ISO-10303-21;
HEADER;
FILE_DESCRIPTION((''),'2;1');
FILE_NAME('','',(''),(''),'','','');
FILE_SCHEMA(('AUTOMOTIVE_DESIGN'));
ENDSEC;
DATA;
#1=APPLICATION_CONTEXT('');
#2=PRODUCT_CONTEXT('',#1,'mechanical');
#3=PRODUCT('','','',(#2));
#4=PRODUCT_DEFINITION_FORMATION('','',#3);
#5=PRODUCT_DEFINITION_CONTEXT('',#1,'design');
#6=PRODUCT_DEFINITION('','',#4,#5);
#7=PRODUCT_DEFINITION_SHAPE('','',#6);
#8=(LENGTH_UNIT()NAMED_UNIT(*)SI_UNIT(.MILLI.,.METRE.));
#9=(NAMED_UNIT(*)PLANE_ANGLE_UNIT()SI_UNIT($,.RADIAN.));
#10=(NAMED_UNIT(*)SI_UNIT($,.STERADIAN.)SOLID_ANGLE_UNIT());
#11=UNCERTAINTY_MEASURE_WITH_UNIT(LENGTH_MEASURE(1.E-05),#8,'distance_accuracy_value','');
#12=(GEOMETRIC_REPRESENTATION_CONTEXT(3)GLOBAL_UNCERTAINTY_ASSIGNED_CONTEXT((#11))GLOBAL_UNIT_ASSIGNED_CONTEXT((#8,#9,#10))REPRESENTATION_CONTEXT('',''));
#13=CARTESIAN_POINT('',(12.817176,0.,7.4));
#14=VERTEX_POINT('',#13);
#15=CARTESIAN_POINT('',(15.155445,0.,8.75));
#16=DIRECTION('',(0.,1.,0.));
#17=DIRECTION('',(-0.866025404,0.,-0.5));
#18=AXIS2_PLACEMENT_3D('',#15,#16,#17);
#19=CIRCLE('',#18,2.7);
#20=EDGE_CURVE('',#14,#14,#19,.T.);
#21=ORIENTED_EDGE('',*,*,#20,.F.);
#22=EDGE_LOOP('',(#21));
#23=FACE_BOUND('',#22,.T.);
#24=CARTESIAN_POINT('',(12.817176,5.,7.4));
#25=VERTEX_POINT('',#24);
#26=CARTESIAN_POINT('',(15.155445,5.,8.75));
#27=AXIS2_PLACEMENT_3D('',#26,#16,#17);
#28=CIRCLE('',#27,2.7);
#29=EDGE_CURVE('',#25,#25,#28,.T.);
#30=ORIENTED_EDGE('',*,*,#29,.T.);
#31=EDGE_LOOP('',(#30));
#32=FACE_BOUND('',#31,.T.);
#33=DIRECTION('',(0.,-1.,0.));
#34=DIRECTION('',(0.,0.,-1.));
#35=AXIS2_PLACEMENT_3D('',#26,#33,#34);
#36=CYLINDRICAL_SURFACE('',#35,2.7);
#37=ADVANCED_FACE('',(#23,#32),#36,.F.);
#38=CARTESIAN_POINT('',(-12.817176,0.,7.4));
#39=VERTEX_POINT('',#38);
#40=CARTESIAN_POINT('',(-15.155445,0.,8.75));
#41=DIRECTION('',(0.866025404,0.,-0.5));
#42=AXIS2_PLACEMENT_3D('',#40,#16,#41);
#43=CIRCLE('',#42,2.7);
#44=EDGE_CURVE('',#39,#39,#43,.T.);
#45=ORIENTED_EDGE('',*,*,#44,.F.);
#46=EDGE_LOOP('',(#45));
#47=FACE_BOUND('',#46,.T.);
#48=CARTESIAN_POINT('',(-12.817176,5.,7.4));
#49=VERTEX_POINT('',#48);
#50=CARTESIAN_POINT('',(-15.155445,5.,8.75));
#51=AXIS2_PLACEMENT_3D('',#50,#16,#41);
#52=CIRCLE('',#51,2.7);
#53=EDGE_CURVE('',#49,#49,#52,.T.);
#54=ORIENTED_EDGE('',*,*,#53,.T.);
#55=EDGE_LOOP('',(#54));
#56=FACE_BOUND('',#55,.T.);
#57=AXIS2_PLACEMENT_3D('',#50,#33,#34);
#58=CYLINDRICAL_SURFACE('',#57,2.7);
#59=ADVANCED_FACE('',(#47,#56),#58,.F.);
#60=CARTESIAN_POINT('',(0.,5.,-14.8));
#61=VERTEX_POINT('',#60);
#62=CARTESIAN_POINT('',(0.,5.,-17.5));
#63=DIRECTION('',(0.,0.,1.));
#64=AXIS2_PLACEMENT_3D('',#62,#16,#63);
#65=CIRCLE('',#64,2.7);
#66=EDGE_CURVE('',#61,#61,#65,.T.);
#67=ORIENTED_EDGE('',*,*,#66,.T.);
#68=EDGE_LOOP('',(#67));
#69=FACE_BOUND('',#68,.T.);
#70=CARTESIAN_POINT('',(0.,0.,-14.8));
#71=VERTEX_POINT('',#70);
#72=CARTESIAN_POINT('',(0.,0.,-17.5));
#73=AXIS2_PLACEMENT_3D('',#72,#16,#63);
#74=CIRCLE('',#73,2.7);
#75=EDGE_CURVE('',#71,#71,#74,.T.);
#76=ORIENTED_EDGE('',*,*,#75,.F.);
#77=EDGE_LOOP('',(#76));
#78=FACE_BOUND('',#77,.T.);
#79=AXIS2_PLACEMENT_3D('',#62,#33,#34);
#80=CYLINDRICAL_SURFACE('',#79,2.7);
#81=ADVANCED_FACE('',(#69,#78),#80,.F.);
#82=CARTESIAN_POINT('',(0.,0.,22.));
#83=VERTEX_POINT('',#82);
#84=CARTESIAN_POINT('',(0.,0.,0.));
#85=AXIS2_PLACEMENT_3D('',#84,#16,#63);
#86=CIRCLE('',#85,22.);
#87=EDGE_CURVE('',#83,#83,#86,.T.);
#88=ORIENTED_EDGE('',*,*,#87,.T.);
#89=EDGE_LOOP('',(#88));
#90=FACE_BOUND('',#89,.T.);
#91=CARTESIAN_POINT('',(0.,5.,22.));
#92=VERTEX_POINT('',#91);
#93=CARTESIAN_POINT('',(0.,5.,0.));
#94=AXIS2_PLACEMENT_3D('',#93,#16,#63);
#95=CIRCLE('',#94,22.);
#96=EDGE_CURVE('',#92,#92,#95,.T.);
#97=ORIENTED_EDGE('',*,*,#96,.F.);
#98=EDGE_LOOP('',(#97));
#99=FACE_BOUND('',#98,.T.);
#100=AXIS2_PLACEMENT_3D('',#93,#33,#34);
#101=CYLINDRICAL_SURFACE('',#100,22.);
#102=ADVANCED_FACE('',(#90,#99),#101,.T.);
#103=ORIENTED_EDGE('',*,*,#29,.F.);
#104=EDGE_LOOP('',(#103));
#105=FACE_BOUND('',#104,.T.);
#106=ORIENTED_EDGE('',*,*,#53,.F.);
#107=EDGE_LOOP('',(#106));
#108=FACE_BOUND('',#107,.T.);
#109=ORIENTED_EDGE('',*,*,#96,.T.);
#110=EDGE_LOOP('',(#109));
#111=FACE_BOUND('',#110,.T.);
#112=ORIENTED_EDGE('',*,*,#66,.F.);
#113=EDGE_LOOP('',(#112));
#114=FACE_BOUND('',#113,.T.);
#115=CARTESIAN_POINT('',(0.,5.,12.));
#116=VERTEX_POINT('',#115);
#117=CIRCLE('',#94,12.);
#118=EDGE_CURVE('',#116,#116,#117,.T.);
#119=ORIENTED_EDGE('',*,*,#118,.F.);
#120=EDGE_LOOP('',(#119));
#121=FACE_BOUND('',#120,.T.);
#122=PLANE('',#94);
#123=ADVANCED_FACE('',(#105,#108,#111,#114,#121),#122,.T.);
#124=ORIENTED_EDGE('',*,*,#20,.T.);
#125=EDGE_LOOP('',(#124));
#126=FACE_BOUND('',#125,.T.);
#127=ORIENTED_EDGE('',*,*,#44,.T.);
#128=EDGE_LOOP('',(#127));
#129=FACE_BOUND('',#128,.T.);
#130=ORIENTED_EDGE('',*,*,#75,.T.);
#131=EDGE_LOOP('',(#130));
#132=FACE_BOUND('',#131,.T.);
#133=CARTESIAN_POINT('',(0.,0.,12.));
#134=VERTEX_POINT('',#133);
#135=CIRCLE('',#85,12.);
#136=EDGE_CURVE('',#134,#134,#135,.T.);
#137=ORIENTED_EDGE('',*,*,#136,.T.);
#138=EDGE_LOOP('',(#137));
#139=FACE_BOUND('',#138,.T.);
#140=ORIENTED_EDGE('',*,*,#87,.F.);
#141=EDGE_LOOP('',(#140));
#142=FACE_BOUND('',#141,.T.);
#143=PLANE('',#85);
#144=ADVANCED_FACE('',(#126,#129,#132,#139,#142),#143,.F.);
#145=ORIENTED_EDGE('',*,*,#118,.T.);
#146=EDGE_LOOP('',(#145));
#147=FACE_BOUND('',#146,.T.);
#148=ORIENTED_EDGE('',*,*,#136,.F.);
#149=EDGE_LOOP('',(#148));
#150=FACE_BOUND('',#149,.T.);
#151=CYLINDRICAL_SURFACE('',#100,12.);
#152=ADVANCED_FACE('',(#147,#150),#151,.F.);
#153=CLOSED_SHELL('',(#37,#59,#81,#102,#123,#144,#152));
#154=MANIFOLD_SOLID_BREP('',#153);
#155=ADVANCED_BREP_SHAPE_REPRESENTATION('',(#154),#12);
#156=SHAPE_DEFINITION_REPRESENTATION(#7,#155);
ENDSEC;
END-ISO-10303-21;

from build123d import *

# Parameters (mm, degrees)
SKETCH_1_R               = 22
SKETCH_1_R_2             = 12
EXTRUDE_1_DEPTH          = 5
SKETCH_1_3_R             = 2.7
CUT_EXTRUDE_1_DEPTH      = 32.511902513
PATTERN_CIRCULAR_1_COUNT = 3


with BuildPart() as part:
    # 草图1 → 凸台-拉伸1 (new body)
    with BuildSketch(Plane(origin=(0, 0, 0), x_dir=(1, 0, 0), z_dir=(0, 1, 0))):
        Circle(SKETCH_1_R)
        Circle(SKETCH_1_R_2, mode=Mode.SUBTRACT)
    extrude(amount=EXTRUDE_1_DEPTH)

    # 草图1<3> → 切除-拉伸1 (cut, symmetric)
    with BuildSketch(Plane(origin=(0, 0, 0), x_dir=(1, 0, 0), z_dir=(0, 1, 0))):
        with Locations((0, 17.5)):
            Circle(SKETCH_1_3_R)
    cut_extrude_1 = extrude(amount=CUT_EXTRUDE_1_DEPTH, both=True, mode=Mode.SUBTRACT)

    # 阵列(圆周)1: 切除-拉伸1 ×3 about axis
    pattern_circular_1_axis = Axis((0, 5, 0), (0, -1, 0))
    for i in range(1, PATTERN_CIRCULAR_1_COUNT):
        add(cut_extrude_1.rotate(pattern_circular_1_axis, i * 360 / PATTERN_CIRCULAR_1_COUNT), mode=Mode.SUBTRACT)


solid = part.part
